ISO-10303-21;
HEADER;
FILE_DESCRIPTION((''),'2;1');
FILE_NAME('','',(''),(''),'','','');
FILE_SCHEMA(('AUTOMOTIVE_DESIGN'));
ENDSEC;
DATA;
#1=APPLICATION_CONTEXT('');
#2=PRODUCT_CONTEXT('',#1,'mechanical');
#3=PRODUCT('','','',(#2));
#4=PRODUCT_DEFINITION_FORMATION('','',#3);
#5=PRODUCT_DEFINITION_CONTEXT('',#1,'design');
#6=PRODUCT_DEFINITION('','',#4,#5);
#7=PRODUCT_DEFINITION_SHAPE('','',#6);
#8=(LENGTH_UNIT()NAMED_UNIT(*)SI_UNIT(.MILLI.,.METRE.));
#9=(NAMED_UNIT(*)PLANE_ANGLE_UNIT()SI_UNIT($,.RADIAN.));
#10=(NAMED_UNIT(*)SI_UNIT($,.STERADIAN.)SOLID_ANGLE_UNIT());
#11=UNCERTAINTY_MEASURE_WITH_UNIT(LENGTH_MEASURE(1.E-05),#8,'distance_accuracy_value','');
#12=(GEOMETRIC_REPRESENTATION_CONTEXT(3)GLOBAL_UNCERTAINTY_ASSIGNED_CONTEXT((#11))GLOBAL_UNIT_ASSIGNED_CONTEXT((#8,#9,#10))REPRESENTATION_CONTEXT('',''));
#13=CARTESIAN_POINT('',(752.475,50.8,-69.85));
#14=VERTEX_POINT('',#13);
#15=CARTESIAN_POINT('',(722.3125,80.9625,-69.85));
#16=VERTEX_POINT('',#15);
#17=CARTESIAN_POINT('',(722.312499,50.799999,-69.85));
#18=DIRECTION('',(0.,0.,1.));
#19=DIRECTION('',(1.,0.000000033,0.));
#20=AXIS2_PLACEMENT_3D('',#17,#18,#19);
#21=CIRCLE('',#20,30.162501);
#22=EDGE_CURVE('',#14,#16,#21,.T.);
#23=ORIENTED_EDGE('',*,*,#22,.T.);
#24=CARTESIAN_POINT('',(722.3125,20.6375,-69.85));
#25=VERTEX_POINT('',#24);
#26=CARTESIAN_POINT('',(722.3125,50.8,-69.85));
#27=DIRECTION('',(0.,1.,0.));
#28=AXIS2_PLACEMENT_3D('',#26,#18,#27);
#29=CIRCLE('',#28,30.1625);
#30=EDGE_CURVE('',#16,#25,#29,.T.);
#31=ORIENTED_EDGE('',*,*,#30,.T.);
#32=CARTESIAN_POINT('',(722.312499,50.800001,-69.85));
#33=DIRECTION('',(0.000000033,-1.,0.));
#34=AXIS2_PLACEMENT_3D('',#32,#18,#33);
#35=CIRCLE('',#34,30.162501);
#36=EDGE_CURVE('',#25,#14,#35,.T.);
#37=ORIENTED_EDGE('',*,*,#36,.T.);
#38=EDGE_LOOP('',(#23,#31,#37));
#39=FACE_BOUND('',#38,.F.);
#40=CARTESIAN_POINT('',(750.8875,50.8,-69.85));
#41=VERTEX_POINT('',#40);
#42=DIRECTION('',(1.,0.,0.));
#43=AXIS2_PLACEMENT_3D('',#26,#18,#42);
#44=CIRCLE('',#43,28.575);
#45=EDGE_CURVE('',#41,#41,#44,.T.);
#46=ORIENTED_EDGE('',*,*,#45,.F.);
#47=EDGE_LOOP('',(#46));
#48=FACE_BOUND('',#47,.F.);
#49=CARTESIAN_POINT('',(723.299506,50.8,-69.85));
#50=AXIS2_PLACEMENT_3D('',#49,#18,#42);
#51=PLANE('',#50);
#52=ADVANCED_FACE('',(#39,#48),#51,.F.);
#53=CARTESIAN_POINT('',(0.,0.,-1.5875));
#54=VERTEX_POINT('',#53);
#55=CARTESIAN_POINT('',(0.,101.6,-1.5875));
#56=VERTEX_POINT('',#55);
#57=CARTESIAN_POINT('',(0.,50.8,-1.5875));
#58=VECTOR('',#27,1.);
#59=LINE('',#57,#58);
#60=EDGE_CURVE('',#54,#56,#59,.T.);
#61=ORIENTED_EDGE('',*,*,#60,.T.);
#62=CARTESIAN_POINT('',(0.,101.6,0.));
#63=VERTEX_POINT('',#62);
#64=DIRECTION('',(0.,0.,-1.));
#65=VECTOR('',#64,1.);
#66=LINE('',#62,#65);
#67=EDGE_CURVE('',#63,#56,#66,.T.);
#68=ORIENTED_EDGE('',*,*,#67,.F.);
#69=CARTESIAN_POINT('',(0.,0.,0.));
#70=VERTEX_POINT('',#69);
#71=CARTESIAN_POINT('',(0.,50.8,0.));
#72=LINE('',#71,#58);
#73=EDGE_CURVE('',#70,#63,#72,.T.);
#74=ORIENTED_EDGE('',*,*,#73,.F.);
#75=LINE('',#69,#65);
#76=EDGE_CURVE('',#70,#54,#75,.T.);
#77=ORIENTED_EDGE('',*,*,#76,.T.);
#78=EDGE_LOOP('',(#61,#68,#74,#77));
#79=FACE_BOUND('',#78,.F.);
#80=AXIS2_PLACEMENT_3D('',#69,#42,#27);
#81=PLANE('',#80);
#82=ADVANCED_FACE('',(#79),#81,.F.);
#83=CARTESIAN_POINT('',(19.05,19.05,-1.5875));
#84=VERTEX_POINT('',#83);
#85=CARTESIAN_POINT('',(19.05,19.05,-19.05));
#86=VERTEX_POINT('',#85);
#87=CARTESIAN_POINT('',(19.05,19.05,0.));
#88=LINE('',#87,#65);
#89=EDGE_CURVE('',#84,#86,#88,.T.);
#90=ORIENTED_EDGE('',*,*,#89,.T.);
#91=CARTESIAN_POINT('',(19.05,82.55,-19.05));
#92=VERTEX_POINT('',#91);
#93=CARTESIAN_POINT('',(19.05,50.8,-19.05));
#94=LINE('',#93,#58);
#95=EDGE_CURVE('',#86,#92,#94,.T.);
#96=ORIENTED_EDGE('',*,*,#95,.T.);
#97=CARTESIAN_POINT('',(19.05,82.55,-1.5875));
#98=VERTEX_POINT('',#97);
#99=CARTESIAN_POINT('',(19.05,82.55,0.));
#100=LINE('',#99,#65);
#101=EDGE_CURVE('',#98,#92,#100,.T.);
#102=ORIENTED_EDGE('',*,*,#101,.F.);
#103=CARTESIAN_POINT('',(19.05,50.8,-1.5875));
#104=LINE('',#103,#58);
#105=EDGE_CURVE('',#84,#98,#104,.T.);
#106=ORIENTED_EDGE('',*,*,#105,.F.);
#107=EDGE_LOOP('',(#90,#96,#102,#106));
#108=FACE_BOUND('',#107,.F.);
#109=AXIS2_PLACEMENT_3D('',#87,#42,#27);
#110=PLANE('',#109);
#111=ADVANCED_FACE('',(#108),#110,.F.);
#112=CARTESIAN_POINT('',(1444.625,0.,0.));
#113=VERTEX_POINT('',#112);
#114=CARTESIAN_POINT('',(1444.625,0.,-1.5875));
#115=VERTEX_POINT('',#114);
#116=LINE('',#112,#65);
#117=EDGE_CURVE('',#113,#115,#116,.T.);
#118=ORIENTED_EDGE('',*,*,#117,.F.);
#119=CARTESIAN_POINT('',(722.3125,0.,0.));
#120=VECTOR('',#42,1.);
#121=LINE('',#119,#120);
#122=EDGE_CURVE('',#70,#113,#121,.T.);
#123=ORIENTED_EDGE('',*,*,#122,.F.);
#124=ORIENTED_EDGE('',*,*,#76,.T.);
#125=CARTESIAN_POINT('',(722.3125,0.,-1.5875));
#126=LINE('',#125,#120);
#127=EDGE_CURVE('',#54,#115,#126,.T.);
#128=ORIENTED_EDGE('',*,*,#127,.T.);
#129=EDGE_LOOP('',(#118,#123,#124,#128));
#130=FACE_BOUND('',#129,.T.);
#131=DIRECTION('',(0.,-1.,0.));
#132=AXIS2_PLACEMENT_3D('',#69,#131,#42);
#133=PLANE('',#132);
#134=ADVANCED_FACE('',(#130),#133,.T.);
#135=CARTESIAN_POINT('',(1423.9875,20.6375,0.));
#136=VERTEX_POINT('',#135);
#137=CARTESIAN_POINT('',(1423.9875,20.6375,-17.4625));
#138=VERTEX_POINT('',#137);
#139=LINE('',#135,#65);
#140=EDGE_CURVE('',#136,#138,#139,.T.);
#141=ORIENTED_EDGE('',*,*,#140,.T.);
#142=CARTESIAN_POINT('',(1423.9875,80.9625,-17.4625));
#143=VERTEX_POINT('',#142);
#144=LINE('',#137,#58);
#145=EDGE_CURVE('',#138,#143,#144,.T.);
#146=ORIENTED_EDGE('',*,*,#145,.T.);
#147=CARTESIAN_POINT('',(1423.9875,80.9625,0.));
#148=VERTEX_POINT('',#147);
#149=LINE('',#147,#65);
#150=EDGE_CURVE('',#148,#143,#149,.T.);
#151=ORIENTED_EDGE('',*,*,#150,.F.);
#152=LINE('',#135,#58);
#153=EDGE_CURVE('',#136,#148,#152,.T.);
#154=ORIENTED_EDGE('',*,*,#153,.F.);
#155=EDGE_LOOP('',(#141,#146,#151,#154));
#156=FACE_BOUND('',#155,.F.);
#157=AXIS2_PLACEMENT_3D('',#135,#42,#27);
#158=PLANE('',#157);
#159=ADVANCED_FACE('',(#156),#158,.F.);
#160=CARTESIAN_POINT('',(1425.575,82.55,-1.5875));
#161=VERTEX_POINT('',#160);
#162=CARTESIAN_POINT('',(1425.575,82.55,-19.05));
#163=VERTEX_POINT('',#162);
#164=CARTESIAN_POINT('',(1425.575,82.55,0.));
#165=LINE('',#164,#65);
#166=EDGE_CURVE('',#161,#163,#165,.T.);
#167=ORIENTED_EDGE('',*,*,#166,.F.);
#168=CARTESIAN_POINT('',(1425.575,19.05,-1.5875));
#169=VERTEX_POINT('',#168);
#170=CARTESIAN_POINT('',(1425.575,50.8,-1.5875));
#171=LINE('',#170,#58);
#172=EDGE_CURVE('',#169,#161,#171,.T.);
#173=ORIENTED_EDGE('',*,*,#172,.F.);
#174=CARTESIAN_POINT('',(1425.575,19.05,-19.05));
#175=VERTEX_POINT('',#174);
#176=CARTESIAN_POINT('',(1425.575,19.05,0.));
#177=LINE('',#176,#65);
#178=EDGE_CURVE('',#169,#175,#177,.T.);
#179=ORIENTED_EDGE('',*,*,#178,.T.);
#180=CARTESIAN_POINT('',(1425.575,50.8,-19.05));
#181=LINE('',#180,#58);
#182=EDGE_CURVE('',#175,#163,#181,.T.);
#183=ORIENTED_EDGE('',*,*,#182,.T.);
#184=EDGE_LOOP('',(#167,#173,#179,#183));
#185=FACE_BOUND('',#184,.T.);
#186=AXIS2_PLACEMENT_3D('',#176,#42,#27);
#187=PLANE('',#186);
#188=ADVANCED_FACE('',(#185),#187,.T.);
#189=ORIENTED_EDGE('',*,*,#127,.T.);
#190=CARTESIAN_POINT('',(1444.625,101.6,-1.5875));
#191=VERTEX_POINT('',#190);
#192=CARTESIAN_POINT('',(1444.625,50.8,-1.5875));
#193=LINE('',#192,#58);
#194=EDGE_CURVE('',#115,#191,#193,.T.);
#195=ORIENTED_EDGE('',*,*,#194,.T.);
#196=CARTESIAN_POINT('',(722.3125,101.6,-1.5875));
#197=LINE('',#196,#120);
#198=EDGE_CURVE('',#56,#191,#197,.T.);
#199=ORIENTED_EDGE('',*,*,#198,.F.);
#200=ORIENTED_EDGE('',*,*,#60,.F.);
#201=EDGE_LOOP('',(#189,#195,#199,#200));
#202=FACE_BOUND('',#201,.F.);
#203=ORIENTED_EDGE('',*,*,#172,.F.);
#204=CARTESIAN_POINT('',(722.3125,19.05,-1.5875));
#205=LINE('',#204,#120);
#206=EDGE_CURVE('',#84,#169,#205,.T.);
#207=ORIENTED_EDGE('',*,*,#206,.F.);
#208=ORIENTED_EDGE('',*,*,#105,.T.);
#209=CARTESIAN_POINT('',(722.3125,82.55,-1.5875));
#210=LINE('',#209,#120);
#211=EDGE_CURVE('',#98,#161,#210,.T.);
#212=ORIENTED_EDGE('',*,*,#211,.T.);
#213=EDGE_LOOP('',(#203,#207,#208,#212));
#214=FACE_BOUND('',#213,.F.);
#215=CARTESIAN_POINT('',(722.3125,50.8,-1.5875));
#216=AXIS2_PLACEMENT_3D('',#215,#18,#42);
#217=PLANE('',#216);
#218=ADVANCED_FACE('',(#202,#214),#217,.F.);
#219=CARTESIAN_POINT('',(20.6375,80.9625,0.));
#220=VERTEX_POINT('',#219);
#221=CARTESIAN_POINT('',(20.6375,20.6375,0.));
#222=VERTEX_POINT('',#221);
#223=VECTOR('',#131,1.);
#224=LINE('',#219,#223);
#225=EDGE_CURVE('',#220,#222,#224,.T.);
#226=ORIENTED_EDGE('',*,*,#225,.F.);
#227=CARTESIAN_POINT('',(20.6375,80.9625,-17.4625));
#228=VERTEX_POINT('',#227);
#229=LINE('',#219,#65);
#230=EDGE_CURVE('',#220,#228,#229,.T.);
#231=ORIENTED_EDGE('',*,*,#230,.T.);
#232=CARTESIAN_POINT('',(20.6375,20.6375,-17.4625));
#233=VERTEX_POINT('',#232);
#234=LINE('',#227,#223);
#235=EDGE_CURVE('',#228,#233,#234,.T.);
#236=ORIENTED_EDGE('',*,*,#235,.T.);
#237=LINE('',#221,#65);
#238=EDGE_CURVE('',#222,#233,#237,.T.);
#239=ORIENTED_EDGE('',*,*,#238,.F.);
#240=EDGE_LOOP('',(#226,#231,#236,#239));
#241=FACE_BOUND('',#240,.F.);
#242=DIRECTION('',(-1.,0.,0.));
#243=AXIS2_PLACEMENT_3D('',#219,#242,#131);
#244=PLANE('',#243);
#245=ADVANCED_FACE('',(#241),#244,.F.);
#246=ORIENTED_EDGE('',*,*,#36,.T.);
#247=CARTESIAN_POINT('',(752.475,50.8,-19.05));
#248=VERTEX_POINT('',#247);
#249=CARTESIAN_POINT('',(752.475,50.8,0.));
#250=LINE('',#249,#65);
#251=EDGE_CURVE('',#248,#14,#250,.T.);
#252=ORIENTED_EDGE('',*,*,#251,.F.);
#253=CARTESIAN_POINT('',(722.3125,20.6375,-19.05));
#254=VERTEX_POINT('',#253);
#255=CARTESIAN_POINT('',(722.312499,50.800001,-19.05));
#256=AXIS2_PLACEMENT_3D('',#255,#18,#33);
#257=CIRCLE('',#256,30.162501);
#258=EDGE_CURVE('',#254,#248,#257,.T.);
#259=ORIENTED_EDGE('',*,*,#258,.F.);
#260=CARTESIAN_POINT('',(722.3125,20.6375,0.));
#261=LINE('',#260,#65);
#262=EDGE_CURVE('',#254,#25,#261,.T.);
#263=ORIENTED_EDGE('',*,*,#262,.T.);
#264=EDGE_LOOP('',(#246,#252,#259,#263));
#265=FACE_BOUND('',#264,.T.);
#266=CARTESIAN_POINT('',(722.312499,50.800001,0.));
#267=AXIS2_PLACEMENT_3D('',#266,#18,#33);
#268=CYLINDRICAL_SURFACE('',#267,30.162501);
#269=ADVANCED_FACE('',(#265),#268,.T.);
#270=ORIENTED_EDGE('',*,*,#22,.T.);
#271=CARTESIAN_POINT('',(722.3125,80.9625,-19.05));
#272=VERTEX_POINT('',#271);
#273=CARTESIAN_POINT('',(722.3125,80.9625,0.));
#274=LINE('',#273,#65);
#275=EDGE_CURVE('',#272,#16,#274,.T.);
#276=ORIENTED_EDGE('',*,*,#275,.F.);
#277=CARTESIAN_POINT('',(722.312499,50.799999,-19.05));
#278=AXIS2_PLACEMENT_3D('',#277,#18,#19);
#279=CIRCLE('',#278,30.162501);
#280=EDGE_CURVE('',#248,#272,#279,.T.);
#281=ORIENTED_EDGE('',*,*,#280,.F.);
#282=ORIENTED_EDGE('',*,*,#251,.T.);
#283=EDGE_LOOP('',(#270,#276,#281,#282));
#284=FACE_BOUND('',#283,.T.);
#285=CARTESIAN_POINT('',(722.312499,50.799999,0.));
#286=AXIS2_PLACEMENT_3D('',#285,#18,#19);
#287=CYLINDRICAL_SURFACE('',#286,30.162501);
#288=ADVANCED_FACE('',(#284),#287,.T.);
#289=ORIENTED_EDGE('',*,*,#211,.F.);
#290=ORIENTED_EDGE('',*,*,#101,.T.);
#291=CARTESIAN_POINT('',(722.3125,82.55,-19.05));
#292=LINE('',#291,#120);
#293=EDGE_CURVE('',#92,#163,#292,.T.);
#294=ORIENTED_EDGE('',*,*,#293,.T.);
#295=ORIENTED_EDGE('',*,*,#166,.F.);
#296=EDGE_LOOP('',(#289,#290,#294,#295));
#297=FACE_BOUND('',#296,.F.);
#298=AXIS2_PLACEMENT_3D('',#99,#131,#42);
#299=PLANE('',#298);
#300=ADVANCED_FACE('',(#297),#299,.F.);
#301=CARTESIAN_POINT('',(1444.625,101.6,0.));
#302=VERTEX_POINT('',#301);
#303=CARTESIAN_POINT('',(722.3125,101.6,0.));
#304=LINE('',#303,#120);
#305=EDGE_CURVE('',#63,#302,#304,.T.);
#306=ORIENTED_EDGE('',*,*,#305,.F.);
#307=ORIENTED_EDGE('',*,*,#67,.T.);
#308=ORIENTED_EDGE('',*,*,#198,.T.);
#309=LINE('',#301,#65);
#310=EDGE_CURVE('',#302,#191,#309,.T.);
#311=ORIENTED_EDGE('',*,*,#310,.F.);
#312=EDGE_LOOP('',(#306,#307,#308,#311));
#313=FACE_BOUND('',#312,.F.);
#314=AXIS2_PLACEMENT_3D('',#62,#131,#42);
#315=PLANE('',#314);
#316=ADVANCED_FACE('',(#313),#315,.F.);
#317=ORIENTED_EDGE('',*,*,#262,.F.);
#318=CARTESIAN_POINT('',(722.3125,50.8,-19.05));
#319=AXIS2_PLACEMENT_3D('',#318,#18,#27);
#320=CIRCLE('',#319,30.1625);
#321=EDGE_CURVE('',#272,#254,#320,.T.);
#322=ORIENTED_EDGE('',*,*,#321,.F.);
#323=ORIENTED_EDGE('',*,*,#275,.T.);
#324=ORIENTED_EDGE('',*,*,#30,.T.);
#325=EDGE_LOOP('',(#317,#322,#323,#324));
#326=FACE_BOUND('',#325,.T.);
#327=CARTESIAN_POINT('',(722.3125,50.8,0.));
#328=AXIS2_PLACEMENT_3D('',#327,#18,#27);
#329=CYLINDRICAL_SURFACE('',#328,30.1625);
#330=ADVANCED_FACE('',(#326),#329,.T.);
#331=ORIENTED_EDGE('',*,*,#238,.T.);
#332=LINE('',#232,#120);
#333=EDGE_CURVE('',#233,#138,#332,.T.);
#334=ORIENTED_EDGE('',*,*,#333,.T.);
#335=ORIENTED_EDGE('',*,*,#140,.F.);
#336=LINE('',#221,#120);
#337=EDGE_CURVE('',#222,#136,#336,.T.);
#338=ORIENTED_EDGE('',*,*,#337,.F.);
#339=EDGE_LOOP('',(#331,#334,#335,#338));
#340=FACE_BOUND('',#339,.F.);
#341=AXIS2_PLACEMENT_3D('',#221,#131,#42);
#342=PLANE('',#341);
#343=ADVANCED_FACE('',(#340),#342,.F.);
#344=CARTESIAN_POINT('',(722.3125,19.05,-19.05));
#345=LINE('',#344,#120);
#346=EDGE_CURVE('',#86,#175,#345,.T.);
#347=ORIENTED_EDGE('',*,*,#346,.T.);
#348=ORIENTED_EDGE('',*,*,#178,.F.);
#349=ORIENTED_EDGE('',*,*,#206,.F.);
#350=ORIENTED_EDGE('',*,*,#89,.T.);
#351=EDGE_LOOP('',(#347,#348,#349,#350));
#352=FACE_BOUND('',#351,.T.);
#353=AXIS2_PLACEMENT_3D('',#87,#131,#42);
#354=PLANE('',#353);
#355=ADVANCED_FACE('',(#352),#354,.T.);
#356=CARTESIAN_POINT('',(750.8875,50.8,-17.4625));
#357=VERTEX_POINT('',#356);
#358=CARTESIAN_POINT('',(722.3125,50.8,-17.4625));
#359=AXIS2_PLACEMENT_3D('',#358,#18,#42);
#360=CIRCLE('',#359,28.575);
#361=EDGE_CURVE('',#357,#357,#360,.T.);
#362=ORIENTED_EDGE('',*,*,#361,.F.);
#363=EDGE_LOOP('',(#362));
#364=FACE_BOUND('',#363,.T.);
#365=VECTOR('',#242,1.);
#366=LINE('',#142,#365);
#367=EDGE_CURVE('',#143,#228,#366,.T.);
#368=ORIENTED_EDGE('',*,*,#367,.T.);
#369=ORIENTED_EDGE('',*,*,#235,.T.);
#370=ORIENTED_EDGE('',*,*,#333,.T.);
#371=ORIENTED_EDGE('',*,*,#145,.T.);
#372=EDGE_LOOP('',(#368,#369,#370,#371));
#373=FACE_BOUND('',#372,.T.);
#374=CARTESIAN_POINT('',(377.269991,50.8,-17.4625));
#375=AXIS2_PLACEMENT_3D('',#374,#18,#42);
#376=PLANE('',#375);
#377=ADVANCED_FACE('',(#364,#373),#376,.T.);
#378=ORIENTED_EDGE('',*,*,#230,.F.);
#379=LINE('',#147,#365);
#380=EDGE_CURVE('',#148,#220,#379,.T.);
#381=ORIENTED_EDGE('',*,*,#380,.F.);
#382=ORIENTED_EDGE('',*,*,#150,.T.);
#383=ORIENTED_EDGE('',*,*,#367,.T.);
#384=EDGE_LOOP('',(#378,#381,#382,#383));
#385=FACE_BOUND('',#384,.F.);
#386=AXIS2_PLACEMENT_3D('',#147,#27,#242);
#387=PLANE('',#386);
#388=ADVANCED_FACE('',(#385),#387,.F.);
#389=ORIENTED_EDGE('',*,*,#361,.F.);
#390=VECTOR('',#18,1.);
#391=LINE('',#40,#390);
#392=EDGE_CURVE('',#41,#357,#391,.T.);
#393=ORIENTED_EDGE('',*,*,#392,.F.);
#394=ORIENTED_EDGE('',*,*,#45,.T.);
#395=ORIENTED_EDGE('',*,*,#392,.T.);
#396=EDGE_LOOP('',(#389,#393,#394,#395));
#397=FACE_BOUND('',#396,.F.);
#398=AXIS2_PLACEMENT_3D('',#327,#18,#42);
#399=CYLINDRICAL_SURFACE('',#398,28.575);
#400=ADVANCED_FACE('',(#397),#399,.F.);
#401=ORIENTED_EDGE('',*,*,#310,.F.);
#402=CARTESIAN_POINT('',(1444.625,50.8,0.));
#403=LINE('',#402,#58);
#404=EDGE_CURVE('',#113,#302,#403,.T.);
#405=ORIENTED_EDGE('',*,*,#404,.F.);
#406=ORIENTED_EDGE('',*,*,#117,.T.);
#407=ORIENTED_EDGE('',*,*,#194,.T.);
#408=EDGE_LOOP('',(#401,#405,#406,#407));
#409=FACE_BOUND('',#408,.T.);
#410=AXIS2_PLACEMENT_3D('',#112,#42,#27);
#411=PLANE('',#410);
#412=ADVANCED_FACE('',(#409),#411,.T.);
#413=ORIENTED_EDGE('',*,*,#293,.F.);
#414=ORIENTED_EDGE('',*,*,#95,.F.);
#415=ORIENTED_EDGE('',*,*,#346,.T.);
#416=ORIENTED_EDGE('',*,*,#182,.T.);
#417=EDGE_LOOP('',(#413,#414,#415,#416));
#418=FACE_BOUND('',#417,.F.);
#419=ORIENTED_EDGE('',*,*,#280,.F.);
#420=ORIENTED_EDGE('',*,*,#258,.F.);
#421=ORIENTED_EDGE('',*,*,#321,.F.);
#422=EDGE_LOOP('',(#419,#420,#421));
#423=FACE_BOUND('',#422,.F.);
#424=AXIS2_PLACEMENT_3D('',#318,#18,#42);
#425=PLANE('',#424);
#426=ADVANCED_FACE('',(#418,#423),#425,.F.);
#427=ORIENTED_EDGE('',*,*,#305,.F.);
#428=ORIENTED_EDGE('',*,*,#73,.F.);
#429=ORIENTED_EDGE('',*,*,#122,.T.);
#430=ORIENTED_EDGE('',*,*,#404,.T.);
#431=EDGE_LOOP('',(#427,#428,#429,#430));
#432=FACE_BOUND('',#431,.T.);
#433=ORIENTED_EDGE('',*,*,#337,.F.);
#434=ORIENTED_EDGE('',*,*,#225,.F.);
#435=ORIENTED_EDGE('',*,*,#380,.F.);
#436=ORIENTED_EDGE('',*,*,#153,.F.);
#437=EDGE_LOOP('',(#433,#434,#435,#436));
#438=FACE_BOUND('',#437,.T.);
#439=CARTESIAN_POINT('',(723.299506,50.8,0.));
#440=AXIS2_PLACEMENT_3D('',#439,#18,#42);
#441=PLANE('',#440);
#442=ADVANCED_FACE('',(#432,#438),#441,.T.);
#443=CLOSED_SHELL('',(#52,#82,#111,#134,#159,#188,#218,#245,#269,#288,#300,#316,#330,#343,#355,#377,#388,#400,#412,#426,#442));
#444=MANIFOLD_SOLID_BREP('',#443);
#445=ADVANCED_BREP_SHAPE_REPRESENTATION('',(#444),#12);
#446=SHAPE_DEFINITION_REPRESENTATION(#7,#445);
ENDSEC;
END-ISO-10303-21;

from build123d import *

# Parameters (mm, degrees)
F0_W     = 1406.525
F0_H     = 63.5
F0_W_2   = 1444.625
F0_H_2   = 101.6
F1_DEPTH = 1.5875
F0_R     = 28.575
F2_DEPTH = 19.05
F3_DEPTH = 69.85
F4_DEPTH = 17.4625
F5_DEPTH = 69.851


with BuildPart() as f1:
    # F0 (on Top) → F1 (new body)
    with BuildSketch(Plane.XY):
        with Locations((722.3125, 50.8)):
            Rectangle(F0_W, F0_H)
        Polygon((20.6375, 80.9625), (722.3125, 80.9625), (1423.9875, 80.9625), (1423.9875, 20.6375), (722.3125, 20.6375), (20.6375, 20.6375), align=None, mode=Mode.SUBTRACT)
        with Locations((722.3125, 50.8)):
            Rectangle(F0_W_2, F0_H_2)
        with Locations((722.3125, 50.8)):
            Rectangle(F0_W, F0_H, mode=Mode.SUBTRACT)
    extrude(amount=-F1_DEPTH)

    # F0 (on Top) → F2 (join)
    with BuildSketch(Plane.XY):
        with Locations((722.3125, 50.8)):
            Rectangle(F0_W, F0_H)
        Polygon((20.6375, 80.9625), (722.3125, 80.9625), (1423.9875, 80.9625), (1423.9875, 20.6375), (722.3125, 20.6375), (20.6375, 20.6375), align=None, mode=Mode.SUBTRACT)
        with BuildLine():
            ThreePointArc((722.3125, 20.6375), (692.15, 50.8), (722.3125, 80.9625))
            Line((722.3125, 80.9625), (20.6375, 80.9625))
            Line((20.6375, 80.9625), (20.6375, 20.6375))
            Line((20.6375, 20.6375), (722.3125, 20.6375))
        make_face()
        with BuildLine():
            ThreePointArc((722.3125, 80.9625), (743.640608, 72.128108), (752.475, 50.8))
            ThreePointArc((752.475, 50.8), (743.640608, 29.471892), (722.3125, 20.6375))
            Line((722.3125, 20.6375), (1423.9875, 20.6375))
            Line((1423.9875, 20.6375), (1423.9875, 80.9625))
            Line((1423.9875, 80.9625), (722.3125, 80.9625))
        make_face()
        with BuildLine():
            ThreePointArc((722.3125, 20.6375), (743.640608, 29.471892), (752.475, 50.8))
            ThreePointArc((752.475, 50.8), (743.640608, 72.128108), (722.3125, 80.9625))
            ThreePointArc((722.3125, 80.9625), (692.15, 50.8), (722.3125, 20.6375))
        make_face()
        with Locations((722.3125, 50.8)):
            Circle(F0_R, mode=Mode.SUBTRACT)
        with Locations((722.3125, 50.8)):
            Circle(F0_R)
    extrude(amount=-F2_DEPTH)

    # F0 (on Top) → F3 (join)
    with BuildSketch(Plane.XY):
        with BuildLine():
            ThreePointArc((722.3125, 20.6375), (743.640608, 29.471892), (752.475, 50.8))
            ThreePointArc((752.475, 50.8), (743.640608, 72.128108), (722.3125, 80.9625))
            ThreePointArc((722.3125, 80.9625), (692.15, 50.8), (722.3125, 20.6375))
        make_face()
        with Locations((722.3125, 50.8)):
            Circle(F0_R, mode=Mode.SUBTRACT)
    extrude(amount=-F3_DEPTH)

    # F0 (on Top) → F4 (cut)
    with BuildSketch(Plane.XY):
        with BuildLine():
            ThreePointArc((722.3125, 20.6375), (692.15, 50.8), (722.3125, 80.9625))
            Line((722.3125, 80.9625), (20.6375, 80.9625))
            Line((20.6375, 80.9625), (20.6375, 20.6375))
            Line((20.6375, 20.6375), (722.3125, 20.6375))
        make_face()
        with BuildLine():
            ThreePointArc((722.3125, 80.9625), (743.640608, 72.128108), (752.475, 50.8))
            ThreePointArc((752.475, 50.8), (743.640608, 29.471892), (722.3125, 20.6375))
            Line((722.3125, 20.6375), (1423.9875, 20.6375))
            Line((1423.9875, 20.6375), (1423.9875, 80.9625))
            Line((1423.9875, 80.9625), (722.3125, 80.9625))
        make_face()
        with BuildLine():
            ThreePointArc((722.3125, 20.6375), (743.640608, 29.471892), (752.475, 50.8))
            ThreePointArc((752.475, 50.8), (743.640608, 72.128108), (722.3125, 80.9625))
            ThreePointArc((722.3125, 80.9625), (692.15, 50.8), (722.3125, 20.6375))
        make_face()
        with Locations((722.3125, 50.8)):
            Circle(F0_R, mode=Mode.SUBTRACT)
        with Locations((722.3125, 50.8)):
            Circle(F0_R)
    extrude(amount=-F4_DEPTH, mode=Mode.SUBTRACT)

    # F0 (on Top) → F5 (cut, through all)
    with BuildSketch(Plane.XY):
        with Locations((722.3125, 50.8)):
            Circle(F0_R)
    extrude(amount=-F5_DEPTH, mode=Mode.SUBTRACT)


solid = f1.part
